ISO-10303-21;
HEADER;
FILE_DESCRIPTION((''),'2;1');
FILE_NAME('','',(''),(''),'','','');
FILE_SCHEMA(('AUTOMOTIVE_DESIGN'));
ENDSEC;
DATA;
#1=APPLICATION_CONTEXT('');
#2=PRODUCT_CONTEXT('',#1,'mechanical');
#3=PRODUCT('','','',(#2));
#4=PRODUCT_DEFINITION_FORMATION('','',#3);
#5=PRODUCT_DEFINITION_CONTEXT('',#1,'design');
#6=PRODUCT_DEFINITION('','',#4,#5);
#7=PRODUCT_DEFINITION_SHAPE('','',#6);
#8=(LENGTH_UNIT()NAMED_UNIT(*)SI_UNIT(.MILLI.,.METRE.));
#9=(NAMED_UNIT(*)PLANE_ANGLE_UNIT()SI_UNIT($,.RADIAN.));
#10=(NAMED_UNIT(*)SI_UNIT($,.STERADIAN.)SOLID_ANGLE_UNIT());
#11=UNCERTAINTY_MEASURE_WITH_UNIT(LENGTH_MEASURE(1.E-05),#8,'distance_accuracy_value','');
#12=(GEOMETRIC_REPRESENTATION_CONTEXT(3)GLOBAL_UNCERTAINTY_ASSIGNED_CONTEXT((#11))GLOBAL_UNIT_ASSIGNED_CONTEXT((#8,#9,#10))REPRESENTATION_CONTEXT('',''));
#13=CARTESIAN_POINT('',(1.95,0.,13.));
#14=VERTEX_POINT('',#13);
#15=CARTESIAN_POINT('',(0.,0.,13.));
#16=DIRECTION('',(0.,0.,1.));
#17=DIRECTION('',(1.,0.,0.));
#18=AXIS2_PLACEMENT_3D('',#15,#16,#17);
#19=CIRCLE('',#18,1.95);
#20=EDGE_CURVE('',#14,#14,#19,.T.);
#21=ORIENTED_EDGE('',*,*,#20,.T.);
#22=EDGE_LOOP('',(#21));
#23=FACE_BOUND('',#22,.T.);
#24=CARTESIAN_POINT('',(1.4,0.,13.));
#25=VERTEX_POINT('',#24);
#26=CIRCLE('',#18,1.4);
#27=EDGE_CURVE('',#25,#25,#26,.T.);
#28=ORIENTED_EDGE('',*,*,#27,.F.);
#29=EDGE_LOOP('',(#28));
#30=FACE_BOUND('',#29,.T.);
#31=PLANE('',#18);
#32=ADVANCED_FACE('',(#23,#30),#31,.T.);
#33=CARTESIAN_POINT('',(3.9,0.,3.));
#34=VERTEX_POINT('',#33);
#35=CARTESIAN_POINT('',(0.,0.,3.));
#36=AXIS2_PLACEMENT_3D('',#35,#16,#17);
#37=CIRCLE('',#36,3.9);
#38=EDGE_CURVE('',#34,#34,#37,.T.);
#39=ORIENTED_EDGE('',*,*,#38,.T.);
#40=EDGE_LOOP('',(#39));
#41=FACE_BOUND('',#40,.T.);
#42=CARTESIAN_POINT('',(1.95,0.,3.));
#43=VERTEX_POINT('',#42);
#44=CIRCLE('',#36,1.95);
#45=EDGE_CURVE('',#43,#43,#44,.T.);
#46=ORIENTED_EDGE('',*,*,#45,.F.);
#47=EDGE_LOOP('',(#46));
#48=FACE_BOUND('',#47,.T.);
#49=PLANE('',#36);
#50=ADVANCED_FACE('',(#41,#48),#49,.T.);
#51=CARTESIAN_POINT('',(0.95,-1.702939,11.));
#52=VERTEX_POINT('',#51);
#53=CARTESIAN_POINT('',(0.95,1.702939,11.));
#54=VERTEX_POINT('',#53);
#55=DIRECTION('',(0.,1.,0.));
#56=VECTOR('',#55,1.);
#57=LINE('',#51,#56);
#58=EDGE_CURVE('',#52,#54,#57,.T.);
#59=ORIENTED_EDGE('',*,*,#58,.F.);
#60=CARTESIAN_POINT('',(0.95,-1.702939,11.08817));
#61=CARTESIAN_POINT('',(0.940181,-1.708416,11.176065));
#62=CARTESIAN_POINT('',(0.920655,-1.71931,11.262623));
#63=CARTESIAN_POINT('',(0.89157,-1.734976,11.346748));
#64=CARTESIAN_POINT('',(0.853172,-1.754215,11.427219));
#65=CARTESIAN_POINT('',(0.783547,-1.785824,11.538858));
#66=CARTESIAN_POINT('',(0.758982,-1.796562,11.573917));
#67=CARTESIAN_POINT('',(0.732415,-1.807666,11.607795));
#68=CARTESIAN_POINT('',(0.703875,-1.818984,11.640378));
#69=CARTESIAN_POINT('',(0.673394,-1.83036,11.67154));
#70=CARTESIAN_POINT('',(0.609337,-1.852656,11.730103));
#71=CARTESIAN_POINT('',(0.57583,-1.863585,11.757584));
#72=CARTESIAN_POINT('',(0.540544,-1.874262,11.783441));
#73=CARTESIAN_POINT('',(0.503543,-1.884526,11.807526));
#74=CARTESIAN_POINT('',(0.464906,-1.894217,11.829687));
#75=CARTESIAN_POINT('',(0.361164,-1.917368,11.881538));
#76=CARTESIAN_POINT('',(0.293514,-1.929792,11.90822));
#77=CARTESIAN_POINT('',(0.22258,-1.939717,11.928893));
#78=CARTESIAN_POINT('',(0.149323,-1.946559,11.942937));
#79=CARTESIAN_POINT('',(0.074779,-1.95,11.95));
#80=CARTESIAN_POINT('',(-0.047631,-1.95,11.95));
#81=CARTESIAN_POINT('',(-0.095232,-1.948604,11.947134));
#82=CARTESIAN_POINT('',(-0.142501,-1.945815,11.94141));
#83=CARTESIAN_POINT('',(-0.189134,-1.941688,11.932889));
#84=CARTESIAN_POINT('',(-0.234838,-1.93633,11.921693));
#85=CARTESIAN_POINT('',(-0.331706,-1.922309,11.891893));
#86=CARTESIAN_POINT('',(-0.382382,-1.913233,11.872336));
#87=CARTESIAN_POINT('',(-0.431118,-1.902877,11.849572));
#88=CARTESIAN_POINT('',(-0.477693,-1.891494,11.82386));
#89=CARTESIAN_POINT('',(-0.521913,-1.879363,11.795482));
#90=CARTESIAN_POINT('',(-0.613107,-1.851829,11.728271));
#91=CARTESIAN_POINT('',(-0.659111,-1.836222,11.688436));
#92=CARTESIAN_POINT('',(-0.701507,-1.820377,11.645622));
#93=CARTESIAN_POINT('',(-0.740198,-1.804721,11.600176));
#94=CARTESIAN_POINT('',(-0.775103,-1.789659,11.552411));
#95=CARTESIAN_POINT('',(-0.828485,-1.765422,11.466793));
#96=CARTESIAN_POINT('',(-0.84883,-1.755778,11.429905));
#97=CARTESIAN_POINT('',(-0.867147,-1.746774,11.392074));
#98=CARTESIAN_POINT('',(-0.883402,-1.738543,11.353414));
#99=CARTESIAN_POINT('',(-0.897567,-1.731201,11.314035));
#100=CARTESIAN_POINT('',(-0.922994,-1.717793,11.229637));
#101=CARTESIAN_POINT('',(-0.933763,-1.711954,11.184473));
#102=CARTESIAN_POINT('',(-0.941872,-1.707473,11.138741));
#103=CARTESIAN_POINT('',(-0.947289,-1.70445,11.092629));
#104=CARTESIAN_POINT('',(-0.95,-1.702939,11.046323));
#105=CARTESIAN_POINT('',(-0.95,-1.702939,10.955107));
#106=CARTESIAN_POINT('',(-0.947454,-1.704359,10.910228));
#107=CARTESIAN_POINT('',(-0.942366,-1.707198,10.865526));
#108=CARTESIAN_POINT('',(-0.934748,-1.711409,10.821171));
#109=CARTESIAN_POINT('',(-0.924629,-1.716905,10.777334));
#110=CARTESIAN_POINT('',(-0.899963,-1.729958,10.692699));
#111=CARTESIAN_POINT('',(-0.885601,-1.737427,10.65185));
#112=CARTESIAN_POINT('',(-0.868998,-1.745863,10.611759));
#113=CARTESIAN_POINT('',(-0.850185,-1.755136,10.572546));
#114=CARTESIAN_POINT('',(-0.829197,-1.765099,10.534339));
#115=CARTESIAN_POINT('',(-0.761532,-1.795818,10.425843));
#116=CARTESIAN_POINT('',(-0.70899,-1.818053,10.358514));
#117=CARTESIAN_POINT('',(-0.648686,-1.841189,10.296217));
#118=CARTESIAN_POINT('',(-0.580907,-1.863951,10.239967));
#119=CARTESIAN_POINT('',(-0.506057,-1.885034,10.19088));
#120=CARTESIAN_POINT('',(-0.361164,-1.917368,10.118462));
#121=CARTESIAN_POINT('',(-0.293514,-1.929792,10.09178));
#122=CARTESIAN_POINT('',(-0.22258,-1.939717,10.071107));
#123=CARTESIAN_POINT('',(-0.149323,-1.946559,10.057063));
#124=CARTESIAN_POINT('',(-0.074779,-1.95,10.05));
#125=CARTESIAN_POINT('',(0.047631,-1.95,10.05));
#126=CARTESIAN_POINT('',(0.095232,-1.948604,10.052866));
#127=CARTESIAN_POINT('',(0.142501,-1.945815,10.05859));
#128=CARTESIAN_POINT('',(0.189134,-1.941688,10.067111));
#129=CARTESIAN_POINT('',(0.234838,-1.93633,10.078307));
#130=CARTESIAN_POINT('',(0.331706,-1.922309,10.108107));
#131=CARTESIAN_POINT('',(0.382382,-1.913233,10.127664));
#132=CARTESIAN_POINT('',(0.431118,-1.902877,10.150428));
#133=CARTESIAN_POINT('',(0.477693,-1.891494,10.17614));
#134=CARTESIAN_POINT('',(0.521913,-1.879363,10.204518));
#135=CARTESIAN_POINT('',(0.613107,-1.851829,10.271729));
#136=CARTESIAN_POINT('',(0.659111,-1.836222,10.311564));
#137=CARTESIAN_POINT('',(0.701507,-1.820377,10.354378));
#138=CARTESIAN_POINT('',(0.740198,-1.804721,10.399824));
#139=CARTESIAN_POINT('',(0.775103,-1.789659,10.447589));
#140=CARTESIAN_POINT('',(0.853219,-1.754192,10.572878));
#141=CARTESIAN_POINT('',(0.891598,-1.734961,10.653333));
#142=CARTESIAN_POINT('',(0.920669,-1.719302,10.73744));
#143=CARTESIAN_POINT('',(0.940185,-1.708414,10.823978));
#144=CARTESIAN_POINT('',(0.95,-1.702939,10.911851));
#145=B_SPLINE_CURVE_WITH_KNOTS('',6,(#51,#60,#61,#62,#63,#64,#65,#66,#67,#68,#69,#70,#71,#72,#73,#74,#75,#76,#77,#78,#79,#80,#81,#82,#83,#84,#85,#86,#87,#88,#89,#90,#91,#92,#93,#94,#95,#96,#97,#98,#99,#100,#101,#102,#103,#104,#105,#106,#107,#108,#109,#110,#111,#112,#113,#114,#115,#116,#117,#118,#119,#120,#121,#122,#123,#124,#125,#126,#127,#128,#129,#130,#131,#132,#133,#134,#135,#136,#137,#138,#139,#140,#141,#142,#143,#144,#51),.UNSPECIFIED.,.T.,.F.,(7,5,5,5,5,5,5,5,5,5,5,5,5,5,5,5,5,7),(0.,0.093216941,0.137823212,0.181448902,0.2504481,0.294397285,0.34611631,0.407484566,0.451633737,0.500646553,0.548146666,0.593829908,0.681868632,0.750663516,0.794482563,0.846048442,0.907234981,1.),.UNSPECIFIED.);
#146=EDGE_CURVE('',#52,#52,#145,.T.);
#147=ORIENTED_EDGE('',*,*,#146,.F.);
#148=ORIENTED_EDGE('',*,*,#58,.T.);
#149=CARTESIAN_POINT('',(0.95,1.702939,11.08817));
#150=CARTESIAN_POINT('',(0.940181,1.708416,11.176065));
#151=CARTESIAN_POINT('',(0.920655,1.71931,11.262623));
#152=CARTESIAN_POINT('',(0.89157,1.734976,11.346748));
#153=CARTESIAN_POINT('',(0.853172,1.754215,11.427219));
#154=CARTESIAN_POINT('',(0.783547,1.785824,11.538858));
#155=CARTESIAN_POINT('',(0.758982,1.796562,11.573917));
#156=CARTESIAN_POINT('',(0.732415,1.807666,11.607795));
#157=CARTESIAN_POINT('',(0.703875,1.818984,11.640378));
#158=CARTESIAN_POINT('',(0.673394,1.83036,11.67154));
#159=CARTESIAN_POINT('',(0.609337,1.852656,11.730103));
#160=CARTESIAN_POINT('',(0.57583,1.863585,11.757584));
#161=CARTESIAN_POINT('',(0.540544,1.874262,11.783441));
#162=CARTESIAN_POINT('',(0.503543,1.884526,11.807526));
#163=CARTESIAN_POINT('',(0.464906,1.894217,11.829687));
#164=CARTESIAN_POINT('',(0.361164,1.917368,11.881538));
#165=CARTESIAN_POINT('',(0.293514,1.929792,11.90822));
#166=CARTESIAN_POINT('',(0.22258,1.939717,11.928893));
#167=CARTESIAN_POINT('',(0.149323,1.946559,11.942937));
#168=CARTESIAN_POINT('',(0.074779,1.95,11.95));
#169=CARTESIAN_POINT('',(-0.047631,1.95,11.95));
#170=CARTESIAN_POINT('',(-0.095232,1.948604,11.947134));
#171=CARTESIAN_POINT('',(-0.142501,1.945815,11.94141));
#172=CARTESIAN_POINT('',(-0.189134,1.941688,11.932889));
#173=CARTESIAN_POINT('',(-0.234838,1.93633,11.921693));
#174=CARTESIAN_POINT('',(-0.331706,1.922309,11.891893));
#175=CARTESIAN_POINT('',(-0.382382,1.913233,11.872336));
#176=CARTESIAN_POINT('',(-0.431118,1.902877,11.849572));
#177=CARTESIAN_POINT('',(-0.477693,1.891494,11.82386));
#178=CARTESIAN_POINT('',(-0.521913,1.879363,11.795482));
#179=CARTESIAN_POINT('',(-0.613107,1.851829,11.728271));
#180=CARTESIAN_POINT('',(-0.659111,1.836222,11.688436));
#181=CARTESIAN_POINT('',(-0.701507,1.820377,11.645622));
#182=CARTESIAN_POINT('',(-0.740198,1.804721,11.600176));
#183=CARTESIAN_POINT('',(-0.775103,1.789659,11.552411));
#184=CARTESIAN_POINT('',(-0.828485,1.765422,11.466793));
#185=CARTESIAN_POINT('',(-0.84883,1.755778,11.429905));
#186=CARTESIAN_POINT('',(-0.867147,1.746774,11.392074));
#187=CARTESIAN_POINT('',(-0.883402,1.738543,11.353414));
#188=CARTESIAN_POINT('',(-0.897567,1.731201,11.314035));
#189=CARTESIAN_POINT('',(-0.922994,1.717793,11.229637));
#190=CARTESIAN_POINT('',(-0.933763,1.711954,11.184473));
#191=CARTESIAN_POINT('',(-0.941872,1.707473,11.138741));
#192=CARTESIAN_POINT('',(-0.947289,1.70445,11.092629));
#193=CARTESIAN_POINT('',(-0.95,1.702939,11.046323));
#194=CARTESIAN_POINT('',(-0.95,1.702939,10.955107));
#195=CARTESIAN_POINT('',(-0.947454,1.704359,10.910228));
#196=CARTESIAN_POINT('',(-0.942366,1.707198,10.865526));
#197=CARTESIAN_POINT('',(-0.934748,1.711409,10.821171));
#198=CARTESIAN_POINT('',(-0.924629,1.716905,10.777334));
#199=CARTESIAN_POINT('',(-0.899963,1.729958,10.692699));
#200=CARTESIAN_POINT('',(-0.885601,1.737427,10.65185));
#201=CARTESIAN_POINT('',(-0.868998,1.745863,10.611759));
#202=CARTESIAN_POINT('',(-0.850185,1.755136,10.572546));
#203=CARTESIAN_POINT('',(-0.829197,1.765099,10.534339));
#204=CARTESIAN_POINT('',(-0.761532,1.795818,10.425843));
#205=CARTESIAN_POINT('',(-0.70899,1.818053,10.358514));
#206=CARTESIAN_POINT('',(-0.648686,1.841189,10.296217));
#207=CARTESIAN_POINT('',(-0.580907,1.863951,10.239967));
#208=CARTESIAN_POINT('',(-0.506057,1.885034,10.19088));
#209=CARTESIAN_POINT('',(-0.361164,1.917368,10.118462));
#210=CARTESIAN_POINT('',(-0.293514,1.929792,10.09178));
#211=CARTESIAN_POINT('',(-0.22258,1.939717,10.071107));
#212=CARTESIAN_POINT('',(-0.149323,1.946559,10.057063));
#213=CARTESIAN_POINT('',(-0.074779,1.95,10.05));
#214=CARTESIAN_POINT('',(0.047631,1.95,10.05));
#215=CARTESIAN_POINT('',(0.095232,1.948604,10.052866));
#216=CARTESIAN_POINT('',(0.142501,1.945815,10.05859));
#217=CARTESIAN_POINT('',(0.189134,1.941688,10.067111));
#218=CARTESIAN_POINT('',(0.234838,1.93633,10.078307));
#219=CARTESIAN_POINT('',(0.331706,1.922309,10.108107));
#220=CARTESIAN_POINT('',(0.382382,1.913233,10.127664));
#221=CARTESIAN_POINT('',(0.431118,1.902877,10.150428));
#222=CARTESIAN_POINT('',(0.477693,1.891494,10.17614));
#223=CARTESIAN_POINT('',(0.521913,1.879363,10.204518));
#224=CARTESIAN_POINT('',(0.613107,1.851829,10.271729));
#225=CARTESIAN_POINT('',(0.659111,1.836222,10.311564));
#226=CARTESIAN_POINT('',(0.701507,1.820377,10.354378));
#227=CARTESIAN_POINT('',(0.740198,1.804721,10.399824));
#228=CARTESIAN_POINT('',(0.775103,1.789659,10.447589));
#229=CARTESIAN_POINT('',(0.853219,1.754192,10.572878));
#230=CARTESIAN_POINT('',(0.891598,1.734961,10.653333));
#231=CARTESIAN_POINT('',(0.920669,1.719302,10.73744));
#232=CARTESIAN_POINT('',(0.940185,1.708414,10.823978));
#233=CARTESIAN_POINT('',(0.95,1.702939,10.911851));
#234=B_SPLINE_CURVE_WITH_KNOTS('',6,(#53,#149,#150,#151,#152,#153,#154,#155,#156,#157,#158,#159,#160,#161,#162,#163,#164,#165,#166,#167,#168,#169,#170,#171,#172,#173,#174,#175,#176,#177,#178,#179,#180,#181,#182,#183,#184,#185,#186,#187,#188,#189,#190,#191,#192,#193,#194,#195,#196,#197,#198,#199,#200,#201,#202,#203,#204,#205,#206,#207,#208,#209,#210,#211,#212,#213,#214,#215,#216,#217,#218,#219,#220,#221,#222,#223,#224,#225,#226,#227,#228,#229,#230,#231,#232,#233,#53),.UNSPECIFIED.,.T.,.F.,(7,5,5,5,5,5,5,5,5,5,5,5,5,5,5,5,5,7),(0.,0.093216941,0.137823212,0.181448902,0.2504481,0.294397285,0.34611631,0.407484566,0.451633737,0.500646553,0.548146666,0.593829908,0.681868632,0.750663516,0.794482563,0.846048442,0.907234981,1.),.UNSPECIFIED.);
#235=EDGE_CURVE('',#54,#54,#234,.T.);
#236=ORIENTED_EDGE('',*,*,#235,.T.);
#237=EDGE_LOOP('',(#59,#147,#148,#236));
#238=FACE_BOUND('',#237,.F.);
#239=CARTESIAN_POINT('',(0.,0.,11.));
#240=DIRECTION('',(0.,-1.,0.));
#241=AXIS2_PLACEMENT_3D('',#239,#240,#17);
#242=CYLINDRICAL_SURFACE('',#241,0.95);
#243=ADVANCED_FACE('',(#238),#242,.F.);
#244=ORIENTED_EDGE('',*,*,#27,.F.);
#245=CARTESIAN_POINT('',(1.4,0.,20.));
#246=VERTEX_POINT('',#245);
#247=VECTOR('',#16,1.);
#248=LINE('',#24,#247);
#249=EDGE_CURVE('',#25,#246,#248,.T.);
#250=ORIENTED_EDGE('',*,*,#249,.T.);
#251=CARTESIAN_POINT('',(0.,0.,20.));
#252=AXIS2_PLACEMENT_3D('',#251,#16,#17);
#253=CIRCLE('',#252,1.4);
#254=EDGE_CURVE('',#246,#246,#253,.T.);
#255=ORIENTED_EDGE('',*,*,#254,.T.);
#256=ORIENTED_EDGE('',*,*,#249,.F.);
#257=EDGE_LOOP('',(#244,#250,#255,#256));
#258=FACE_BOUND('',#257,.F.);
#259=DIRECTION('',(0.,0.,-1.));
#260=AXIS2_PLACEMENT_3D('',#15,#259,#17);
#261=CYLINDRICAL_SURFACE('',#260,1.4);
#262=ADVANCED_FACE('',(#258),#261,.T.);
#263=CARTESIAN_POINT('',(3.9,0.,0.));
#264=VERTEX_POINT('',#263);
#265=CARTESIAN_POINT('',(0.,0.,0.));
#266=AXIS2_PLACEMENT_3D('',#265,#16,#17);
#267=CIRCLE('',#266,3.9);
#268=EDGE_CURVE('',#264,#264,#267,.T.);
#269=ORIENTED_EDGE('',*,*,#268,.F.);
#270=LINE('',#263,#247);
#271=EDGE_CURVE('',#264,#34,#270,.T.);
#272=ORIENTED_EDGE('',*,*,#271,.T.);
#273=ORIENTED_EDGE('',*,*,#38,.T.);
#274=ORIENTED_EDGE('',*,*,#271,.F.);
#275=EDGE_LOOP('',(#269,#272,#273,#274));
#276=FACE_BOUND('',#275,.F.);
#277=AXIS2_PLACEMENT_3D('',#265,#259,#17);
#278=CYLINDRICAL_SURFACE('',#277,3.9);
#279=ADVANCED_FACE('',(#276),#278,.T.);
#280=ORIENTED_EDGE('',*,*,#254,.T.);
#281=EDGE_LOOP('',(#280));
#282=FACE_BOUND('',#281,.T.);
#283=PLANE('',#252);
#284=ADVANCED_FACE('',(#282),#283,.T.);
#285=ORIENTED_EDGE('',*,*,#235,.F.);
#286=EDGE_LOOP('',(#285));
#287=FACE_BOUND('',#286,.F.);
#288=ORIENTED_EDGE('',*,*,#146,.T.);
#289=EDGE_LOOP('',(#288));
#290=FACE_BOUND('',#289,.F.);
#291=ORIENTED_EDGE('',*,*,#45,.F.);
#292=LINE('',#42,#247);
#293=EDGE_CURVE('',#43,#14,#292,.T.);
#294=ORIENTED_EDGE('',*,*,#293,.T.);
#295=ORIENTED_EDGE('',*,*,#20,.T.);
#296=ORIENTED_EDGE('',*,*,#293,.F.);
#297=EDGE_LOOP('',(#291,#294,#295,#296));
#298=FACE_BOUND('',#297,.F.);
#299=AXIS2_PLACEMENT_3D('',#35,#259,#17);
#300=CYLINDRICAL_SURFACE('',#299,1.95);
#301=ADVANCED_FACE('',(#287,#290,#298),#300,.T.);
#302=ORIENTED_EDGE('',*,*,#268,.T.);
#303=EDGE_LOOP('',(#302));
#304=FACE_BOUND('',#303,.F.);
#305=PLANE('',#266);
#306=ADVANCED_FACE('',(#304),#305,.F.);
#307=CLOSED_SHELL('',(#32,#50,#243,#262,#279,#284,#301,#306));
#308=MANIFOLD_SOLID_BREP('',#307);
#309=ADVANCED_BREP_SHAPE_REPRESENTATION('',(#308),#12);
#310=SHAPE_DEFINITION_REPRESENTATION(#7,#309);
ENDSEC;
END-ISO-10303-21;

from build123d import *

# Parameters (mm, degrees)
F0_R      = 3.9
F1_DEPTH  = 3
F3_R      = 1.95
F4_DEPTH  = 10
F7_R      = 1.4
F8_DEPTH  = 7
F5_R      = 0.95
F9_DEPTH  = 4.8
F10_DEPTH = 4.8


with BuildPart() as f1:
    # F0 (on Top) → F1 (new body)
    with BuildSketch(Plane.XY):
        Circle(F0_R)
    extrude(amount=F1_DEPTH)

    # F3 (on offset) → F4 (join)
    with BuildSketch(Plane.XY.offset(3)):
        Circle(F3_R)
    extrude(amount=F4_DEPTH)

    # F7 (on offset) → F8 (join)
    with BuildSketch(Plane.XY.offset(13)):
        Circle(F7_R)
    extrude(amount=F8_DEPTH)

    # F5 (on Front) → F9 (cut)
    with BuildSketch(Plane.XZ):
        with Locations((0, 11)):
            Circle(F5_R)
    extrude(amount=F9_DEPTH, mode=Mode.SUBTRACT)

    # F5 (on Front) → F10 (cut)
    with BuildSketch(Plane.XZ):
        with Locations((0, 11)):
            Circle(F5_R)
    extrude(amount=-F10_DEPTH, mode=Mode.SUBTRACT)


solid = f1.part
